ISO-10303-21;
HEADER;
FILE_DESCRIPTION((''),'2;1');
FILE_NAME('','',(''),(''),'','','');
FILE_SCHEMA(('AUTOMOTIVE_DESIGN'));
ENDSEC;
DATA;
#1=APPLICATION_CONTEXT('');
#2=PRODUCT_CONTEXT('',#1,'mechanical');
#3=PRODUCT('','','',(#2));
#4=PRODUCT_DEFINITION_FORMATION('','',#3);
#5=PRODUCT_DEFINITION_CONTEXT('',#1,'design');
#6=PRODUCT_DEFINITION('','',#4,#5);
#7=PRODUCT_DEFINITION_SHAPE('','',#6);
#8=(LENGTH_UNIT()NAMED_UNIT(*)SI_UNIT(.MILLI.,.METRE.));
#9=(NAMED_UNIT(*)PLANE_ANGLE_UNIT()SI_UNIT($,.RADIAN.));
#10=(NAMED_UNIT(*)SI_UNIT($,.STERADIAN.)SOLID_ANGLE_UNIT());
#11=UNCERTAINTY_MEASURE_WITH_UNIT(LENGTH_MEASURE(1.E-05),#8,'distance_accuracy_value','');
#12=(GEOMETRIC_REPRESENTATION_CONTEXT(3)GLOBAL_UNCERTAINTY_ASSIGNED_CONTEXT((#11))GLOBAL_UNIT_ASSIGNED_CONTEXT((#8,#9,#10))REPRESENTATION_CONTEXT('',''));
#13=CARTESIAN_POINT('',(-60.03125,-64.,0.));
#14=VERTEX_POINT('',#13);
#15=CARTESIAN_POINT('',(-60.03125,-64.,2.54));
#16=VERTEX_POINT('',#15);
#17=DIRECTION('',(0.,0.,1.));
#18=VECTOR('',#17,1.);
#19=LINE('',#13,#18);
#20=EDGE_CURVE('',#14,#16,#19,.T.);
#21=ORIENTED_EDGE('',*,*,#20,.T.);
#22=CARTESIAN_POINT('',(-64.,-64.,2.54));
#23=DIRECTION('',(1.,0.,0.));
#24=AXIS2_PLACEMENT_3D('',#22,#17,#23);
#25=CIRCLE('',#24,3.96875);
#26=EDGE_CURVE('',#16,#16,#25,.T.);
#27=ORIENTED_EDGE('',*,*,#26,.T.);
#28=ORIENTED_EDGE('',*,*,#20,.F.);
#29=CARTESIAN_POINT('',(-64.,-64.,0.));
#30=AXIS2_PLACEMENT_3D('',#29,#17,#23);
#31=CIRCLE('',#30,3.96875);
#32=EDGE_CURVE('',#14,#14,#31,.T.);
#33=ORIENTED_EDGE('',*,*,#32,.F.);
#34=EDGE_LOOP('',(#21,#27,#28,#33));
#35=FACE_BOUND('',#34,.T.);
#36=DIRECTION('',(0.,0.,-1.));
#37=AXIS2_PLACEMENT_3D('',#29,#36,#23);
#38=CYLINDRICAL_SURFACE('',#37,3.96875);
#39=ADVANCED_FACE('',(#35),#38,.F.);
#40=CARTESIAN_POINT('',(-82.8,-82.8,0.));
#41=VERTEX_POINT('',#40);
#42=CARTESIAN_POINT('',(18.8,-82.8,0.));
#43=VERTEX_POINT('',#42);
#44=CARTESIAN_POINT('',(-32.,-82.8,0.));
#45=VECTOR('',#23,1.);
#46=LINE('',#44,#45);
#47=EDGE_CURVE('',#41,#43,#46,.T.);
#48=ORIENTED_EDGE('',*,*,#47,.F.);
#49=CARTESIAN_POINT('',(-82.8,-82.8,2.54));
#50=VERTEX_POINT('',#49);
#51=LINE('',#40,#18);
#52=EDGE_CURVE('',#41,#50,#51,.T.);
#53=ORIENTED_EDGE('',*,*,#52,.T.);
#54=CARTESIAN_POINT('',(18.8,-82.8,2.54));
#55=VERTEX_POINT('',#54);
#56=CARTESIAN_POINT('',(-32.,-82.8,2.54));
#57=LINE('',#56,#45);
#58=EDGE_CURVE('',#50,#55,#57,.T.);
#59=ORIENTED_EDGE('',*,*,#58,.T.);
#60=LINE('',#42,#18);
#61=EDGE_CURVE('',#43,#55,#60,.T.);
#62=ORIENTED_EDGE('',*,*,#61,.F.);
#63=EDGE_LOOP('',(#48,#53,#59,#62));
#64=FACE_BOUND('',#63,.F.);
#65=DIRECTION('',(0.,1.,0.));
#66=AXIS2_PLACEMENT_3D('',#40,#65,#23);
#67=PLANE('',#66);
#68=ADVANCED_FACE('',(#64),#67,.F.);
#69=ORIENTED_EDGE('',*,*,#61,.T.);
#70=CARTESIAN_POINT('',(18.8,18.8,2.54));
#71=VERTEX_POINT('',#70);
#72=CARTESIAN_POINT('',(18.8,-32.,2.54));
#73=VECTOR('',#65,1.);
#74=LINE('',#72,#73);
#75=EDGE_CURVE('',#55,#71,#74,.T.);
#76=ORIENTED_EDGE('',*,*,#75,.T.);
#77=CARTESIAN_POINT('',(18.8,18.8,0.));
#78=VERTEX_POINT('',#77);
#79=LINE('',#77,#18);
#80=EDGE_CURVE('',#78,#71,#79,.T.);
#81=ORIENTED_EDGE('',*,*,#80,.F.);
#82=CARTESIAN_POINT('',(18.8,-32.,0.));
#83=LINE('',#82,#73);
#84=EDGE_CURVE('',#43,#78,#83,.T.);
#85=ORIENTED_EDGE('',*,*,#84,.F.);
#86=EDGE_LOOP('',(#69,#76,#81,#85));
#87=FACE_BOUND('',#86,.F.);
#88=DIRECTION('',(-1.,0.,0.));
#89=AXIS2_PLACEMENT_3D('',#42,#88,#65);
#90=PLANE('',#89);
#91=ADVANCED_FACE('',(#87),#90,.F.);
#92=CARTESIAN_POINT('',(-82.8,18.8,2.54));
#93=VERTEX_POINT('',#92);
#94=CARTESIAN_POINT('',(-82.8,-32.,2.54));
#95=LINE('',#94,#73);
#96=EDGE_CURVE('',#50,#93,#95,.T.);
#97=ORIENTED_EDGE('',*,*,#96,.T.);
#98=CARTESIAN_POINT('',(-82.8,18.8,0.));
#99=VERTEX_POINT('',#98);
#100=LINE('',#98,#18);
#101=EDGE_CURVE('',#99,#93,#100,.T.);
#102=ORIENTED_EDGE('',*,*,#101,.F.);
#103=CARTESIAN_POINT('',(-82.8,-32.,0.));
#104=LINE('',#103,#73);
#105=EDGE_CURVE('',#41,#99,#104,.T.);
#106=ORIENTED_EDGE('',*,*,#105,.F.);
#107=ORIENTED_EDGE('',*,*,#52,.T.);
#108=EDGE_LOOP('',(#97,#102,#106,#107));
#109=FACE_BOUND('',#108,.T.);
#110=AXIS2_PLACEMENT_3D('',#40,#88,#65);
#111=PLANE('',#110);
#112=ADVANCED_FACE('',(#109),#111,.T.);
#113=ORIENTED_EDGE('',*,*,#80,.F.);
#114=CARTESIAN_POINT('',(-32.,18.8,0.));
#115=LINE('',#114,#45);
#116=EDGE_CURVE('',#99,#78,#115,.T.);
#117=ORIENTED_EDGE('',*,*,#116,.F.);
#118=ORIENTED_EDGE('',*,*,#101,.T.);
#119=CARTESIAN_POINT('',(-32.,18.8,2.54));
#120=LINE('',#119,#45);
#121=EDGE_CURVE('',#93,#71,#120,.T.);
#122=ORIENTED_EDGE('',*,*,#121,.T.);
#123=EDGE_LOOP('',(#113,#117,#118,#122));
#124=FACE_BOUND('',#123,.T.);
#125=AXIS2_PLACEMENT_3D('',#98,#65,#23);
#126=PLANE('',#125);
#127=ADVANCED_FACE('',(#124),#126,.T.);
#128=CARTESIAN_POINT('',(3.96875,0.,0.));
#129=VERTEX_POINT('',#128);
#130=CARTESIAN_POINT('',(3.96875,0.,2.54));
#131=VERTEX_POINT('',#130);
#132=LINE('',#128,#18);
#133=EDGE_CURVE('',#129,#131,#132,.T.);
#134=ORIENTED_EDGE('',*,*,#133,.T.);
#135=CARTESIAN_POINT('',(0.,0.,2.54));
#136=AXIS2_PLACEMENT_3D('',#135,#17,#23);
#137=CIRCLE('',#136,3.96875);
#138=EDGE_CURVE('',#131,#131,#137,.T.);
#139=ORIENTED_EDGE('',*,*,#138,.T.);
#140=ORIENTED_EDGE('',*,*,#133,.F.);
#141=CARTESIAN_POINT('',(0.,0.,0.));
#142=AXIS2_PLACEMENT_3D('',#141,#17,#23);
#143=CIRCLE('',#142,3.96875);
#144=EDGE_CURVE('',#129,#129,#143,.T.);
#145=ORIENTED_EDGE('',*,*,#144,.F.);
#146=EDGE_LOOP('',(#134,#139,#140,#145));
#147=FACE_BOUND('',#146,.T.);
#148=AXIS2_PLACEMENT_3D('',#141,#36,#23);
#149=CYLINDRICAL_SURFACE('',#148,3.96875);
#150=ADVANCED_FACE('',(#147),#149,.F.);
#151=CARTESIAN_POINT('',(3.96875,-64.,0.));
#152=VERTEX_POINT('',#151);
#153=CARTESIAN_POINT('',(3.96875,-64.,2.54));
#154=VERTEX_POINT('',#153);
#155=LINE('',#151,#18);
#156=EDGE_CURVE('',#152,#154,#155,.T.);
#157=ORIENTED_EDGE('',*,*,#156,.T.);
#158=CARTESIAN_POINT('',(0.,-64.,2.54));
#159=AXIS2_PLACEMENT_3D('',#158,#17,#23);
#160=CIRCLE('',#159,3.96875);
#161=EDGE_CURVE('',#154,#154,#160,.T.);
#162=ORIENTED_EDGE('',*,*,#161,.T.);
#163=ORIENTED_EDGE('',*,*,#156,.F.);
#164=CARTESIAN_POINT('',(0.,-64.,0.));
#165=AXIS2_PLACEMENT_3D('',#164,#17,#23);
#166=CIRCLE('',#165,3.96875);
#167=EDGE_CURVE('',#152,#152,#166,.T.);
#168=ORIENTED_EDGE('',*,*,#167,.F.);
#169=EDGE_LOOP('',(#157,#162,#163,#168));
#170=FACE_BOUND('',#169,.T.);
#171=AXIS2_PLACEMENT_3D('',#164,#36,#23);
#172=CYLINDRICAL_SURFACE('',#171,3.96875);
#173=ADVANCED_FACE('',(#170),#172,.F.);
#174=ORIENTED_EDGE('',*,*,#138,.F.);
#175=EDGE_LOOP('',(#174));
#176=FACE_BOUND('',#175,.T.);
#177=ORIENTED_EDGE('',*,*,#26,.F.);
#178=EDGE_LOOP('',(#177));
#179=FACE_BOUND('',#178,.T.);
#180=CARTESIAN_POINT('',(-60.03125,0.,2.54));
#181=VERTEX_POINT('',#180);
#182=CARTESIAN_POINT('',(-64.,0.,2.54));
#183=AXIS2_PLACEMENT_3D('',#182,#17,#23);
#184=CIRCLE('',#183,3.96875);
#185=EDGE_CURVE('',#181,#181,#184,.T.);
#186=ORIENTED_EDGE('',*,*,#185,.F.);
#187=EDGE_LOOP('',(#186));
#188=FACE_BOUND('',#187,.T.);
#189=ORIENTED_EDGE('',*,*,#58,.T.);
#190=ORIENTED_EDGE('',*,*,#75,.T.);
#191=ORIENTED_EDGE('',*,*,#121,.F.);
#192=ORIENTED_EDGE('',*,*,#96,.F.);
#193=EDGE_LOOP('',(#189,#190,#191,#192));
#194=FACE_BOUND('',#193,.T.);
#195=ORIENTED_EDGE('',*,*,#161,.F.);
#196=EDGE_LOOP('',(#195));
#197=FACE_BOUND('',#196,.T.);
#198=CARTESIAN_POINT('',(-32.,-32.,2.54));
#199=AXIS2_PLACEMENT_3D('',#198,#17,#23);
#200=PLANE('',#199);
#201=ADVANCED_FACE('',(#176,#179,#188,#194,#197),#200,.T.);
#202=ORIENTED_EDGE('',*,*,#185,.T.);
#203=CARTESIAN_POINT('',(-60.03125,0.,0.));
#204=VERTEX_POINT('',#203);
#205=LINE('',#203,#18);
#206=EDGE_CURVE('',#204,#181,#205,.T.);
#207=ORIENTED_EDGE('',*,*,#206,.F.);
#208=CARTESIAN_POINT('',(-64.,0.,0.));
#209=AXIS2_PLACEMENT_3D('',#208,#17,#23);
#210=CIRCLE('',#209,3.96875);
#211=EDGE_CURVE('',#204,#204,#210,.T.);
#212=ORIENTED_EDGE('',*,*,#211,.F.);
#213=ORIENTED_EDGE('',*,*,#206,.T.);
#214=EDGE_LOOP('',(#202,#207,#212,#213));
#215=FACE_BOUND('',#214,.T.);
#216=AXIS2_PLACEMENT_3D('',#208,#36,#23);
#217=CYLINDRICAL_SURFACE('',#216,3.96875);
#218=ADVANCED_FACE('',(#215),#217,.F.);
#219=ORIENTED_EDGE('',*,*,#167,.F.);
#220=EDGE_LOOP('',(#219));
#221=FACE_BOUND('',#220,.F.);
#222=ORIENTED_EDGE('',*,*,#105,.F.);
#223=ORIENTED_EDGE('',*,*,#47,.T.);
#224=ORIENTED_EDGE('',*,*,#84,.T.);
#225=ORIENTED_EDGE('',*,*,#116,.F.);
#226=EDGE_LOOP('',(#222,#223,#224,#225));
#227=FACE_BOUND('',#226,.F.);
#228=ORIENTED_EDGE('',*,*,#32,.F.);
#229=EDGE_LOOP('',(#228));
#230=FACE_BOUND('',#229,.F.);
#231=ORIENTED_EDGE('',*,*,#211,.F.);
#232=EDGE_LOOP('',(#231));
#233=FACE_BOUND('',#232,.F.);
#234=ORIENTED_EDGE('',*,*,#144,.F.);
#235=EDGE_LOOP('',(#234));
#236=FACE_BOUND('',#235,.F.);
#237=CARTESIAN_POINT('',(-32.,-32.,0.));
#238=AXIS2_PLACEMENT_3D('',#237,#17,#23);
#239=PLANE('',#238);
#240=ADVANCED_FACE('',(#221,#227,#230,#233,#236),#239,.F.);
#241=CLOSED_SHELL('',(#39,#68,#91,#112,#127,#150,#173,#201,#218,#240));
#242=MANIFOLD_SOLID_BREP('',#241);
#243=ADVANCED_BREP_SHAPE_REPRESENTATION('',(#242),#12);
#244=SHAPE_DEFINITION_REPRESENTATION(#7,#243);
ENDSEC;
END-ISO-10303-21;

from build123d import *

# Parameters (mm, degrees)
F0_W     = 101.6
F0_H     = 101.6
F0_R     = 3.96875
F1_DEPTH = 2.54


with BuildPart() as f1:
    # F0 (on Top) → F1 (new body)
    with BuildSketch(Plane.XY):
        with Locations((-32, -32)):
            Rectangle(F0_W, F0_H)
        with Locations((-64, -64)):
            Circle(F0_R, mode=Mode.SUBTRACT)
        with Locations((0, -64)):
            Circle(F0_R, mode=Mode.SUBTRACT)
        with Locations((-64, 0)):
            Circle(F0_R, mode=Mode.SUBTRACT)
        Circle(F0_R, mode=Mode.SUBTRACT)
    extrude(amount=F1_DEPTH)


solid = f1.part
